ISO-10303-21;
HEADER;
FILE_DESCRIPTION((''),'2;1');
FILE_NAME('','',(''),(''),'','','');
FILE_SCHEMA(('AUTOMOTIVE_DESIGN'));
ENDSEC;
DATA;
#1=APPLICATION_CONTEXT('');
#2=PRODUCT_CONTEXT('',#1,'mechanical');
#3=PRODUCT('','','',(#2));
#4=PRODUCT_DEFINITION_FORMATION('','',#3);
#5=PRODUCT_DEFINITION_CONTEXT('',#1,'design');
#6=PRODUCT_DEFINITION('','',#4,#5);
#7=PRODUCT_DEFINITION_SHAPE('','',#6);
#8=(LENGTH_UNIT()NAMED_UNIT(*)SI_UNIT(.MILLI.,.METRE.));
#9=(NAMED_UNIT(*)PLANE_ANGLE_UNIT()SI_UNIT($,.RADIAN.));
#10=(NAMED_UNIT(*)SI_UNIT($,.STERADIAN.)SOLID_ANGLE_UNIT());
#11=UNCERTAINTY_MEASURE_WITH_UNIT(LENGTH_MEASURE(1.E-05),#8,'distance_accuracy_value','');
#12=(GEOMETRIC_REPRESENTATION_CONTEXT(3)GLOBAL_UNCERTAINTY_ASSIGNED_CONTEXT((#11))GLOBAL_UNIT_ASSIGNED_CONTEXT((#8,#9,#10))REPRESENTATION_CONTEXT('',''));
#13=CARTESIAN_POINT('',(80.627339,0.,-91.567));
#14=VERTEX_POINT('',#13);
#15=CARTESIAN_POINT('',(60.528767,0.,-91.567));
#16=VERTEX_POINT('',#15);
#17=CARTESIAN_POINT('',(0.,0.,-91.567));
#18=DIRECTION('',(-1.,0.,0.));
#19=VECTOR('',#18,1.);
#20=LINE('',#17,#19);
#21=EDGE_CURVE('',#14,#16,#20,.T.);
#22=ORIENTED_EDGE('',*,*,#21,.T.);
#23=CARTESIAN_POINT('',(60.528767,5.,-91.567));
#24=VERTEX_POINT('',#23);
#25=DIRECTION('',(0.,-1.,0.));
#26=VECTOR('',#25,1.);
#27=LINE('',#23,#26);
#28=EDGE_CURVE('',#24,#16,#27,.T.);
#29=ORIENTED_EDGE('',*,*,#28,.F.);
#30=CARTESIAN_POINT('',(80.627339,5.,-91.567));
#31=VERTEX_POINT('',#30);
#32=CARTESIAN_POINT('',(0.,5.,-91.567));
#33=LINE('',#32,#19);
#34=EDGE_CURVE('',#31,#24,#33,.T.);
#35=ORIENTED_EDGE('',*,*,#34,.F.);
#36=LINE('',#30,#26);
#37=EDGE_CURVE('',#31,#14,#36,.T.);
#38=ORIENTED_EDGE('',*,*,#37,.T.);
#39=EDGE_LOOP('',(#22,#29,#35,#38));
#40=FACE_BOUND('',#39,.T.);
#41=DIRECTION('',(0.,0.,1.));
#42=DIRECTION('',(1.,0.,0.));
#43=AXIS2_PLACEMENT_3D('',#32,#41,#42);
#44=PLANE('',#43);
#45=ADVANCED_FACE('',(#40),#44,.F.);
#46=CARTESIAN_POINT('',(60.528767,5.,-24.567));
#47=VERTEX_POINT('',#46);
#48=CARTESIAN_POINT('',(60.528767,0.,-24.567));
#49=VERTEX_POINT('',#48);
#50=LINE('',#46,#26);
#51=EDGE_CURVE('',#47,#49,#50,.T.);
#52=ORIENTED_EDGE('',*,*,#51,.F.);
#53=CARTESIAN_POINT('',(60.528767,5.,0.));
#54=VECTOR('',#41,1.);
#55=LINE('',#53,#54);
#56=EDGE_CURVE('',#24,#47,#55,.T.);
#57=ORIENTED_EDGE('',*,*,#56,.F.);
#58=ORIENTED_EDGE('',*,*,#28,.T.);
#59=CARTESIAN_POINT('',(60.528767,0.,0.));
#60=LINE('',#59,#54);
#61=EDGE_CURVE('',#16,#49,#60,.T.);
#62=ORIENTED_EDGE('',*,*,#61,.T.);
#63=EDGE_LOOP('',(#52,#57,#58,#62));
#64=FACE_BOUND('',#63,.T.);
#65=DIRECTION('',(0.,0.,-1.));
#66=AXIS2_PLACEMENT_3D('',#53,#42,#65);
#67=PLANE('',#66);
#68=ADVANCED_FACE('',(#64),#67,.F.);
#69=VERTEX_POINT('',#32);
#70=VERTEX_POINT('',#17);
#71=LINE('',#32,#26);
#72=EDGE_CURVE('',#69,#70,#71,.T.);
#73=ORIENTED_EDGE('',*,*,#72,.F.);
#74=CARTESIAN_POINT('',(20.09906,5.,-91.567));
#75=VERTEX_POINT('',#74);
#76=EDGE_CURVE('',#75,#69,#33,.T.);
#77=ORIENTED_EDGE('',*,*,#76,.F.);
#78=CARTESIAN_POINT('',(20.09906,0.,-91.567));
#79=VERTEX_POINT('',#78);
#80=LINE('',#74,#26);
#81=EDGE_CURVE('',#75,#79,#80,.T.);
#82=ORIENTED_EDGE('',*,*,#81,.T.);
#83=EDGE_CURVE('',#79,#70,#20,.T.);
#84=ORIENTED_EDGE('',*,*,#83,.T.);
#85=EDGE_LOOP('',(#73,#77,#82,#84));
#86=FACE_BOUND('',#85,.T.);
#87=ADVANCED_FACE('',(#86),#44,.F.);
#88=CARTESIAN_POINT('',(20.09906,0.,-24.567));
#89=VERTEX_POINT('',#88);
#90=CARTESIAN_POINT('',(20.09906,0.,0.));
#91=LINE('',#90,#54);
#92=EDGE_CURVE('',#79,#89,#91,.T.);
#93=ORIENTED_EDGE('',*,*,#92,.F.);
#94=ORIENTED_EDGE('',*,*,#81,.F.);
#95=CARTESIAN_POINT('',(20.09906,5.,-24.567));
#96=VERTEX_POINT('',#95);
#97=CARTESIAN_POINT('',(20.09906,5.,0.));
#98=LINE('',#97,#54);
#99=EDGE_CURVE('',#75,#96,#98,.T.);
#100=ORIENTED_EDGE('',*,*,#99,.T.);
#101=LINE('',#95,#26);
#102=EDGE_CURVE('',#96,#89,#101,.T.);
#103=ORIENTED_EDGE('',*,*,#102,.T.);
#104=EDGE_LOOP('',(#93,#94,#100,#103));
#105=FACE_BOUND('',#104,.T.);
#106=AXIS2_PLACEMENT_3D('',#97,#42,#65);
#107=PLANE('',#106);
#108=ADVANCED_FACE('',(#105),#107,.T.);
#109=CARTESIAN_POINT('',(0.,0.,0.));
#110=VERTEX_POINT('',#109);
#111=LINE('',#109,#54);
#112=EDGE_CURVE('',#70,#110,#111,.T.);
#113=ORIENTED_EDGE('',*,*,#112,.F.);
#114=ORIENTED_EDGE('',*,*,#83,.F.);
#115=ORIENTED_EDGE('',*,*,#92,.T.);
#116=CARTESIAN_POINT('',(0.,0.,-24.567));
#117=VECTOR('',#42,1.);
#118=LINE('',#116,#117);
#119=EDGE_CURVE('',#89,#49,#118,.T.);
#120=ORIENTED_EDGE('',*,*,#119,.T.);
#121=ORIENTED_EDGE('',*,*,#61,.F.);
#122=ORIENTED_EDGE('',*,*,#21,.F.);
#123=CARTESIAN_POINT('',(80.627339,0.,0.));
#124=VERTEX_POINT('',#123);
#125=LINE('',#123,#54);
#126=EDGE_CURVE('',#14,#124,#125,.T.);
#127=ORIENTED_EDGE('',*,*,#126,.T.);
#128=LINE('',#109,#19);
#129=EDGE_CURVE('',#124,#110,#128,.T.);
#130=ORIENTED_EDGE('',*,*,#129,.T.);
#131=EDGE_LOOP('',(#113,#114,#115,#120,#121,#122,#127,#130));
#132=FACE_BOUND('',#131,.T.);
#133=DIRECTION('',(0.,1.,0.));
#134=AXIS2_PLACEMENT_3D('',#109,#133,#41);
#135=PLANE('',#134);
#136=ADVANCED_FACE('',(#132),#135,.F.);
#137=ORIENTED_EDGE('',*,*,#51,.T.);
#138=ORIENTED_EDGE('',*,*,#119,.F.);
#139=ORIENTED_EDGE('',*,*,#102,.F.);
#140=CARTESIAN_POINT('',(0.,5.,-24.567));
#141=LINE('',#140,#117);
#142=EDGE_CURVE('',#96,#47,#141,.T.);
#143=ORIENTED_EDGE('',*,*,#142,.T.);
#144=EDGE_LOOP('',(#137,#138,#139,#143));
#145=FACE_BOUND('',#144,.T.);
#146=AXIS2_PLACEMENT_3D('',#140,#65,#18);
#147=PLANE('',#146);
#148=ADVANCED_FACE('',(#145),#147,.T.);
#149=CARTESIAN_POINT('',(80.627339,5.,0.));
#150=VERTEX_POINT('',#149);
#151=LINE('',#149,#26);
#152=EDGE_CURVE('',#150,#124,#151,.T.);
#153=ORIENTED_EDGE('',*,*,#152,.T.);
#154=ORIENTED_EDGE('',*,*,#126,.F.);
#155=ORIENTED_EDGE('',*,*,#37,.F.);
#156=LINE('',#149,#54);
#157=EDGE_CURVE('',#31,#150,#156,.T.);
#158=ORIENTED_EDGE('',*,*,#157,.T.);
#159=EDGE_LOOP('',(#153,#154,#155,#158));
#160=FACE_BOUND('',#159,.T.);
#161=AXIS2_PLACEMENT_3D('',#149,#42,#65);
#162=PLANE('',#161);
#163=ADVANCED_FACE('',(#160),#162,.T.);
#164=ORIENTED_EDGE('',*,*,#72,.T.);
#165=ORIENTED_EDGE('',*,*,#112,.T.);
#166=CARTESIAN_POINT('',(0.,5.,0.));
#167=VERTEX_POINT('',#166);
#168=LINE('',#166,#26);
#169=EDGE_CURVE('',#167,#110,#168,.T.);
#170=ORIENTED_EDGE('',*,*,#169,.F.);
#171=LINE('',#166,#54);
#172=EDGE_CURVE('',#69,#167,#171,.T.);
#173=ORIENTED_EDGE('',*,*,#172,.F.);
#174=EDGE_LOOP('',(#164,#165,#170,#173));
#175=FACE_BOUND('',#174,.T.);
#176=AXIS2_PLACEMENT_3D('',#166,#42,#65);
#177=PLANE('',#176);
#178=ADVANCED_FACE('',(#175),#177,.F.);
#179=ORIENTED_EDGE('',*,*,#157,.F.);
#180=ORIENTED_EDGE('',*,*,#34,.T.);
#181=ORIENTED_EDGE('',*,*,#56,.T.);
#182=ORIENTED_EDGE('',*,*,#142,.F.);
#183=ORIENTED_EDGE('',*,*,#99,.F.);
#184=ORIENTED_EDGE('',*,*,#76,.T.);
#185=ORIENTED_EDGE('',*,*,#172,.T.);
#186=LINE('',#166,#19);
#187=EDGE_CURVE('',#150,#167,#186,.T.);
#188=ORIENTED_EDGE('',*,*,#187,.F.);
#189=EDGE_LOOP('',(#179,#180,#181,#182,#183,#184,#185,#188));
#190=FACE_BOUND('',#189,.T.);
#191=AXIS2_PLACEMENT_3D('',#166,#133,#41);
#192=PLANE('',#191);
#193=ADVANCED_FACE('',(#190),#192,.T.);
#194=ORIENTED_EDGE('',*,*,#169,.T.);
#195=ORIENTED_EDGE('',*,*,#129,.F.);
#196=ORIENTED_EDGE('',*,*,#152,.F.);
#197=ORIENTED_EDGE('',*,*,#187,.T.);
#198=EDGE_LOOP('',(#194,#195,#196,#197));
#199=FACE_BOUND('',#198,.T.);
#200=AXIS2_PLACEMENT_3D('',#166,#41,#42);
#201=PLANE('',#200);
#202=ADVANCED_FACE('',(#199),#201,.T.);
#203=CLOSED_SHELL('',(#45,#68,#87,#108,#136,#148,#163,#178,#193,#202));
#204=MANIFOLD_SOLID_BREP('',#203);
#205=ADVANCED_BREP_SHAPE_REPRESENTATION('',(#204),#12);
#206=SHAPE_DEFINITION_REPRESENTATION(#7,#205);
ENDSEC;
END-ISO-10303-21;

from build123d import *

# Parameters (mm, degrees)
SALIENTE_EXTRUIR1_DEPTH = 5


with BuildPart() as part:
    # Croquis1 → Saliente-Extruir1 (new body)
    with BuildSketch(Plane(origin=(0, 0, 0), x_dir=(1, 0, 0), z_dir=(0, 1, 0))):
        Polygon((80.627338956, 0), (80.627338956, 91.567), (60.528766848, 91.567), (60.528766848, 24.567), (20.099059607, 24.567), (20.099059607, 91.567), (0, 91.567), (0, 0), align=None)
    extrude(amount=SALIENTE_EXTRUIR1_DEPTH)


solid = part.part
